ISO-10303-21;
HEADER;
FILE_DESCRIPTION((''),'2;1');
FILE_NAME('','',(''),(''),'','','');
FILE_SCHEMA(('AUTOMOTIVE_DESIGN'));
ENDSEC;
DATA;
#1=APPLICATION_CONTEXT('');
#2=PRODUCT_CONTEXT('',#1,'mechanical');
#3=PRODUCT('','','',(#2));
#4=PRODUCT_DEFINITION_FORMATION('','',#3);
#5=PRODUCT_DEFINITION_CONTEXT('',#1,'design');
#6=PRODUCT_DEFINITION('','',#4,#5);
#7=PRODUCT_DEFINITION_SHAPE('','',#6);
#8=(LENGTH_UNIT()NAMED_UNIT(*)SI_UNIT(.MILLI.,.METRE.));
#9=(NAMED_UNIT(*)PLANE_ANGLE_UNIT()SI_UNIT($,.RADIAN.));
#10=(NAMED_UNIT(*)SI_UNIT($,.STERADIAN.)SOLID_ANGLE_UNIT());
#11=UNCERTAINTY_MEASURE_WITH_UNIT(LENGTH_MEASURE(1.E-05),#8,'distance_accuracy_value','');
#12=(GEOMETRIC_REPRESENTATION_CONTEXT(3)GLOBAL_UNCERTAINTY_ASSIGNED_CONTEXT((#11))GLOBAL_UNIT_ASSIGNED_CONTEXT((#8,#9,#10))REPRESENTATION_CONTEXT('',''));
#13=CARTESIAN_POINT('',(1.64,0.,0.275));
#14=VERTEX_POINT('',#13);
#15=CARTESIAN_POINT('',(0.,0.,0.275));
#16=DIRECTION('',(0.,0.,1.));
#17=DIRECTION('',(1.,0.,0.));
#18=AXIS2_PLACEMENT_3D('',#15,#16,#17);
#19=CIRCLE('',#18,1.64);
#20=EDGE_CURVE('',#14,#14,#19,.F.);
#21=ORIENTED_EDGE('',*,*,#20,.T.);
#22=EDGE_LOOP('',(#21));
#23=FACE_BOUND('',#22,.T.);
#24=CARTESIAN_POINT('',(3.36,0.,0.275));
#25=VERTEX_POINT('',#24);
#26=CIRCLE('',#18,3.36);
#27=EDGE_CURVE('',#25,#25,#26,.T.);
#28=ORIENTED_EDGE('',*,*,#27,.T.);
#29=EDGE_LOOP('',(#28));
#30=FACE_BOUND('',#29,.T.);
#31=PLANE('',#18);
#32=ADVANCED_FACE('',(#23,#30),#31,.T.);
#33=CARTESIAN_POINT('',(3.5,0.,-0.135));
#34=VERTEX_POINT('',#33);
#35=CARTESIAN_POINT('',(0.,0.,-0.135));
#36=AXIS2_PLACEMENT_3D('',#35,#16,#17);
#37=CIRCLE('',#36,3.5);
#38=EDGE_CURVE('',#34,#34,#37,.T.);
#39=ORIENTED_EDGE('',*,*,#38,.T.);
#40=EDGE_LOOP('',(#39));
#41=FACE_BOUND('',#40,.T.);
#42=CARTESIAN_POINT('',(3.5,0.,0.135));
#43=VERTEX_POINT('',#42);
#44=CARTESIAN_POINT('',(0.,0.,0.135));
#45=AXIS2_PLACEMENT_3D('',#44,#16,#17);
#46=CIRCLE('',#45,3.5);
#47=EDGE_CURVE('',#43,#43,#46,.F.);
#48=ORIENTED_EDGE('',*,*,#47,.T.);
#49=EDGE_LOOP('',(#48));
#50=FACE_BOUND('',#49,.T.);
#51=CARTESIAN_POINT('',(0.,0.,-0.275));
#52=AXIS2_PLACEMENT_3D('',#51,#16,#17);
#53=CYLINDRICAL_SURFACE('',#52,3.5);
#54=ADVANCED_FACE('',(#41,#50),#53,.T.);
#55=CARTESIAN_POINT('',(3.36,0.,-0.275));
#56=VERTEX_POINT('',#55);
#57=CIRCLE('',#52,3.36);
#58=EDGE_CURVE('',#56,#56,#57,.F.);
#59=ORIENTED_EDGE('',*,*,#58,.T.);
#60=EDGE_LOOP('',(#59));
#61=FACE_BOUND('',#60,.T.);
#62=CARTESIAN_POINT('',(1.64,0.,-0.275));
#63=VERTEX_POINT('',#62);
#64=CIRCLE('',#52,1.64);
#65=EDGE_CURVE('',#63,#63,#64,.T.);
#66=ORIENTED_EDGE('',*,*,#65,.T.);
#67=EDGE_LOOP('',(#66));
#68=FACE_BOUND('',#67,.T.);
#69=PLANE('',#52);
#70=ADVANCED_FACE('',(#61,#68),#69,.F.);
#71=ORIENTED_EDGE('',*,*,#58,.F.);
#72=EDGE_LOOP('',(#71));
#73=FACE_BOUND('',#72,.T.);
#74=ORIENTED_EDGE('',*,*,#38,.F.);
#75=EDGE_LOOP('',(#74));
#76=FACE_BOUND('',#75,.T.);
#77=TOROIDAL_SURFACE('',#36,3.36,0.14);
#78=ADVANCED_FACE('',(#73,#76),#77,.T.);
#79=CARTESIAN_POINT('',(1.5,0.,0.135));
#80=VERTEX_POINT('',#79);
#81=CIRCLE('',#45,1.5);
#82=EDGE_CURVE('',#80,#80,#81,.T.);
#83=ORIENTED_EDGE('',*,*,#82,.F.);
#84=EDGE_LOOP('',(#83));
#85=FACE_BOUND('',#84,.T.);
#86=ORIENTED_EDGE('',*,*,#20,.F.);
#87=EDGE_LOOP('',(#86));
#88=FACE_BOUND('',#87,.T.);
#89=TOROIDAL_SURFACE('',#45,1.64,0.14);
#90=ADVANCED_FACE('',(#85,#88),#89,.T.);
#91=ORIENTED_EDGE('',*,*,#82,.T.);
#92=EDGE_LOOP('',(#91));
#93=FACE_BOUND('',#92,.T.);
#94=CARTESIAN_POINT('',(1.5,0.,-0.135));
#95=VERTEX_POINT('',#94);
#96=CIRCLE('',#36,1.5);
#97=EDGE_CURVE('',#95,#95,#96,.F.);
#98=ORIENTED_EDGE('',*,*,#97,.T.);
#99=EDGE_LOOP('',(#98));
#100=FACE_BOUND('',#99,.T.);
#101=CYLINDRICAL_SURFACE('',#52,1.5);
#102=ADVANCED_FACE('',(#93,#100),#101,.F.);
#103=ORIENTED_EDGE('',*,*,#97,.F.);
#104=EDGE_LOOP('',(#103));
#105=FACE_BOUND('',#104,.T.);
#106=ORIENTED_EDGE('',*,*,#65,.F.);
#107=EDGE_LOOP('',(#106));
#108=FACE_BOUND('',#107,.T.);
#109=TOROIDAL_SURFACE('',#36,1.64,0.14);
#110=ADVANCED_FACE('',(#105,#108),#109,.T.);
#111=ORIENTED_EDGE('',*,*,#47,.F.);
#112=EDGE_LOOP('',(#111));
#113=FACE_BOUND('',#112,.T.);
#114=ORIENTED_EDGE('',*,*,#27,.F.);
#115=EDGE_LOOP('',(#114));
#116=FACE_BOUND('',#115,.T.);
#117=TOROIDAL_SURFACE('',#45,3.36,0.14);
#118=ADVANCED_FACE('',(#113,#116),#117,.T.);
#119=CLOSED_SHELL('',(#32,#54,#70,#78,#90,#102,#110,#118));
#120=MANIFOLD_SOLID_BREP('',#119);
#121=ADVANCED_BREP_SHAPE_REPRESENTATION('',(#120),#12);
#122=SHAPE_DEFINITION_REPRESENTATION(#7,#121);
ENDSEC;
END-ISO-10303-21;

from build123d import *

# Parameters (mm, degrees)
BOSS_EXTRUDE1_DEPTH      = 0.275
BOSS_EXTRUDE1_DEPTH_BACK = 0.275
SKETCH3_R                = 3.5
SKETCH3_R_2              = 1.5
FILLET1_R                = 0.14


with BuildPart() as part:
    # Sketch3 → Boss-Extrude1 (new, two sides: drawn at the far end of the back side and taken through both)
    with BuildSketch(Plane.XY.offset(-BOSS_EXTRUDE1_DEPTH_BACK)):
        Circle(SKETCH3_R)
        Circle(SKETCH3_R_2, mode=Mode.SUBTRACT)
    extrude(amount=BOSS_EXTRUDE1_DEPTH + BOSS_EXTRUDE1_DEPTH_BACK)

    # Fillet1
    fillet1_edges = [part.edges().sort_by_distance(p)[0] for p in [
        (-3.5, 0, -0.275),
        (-1.5, 0, -0.275),
        (-3.5, 0, 0.275),
        (-1.5, 0, 0.275),
    ]]
    fillet(fillet1_edges, radius=FILLET1_R)


solid = part.part
